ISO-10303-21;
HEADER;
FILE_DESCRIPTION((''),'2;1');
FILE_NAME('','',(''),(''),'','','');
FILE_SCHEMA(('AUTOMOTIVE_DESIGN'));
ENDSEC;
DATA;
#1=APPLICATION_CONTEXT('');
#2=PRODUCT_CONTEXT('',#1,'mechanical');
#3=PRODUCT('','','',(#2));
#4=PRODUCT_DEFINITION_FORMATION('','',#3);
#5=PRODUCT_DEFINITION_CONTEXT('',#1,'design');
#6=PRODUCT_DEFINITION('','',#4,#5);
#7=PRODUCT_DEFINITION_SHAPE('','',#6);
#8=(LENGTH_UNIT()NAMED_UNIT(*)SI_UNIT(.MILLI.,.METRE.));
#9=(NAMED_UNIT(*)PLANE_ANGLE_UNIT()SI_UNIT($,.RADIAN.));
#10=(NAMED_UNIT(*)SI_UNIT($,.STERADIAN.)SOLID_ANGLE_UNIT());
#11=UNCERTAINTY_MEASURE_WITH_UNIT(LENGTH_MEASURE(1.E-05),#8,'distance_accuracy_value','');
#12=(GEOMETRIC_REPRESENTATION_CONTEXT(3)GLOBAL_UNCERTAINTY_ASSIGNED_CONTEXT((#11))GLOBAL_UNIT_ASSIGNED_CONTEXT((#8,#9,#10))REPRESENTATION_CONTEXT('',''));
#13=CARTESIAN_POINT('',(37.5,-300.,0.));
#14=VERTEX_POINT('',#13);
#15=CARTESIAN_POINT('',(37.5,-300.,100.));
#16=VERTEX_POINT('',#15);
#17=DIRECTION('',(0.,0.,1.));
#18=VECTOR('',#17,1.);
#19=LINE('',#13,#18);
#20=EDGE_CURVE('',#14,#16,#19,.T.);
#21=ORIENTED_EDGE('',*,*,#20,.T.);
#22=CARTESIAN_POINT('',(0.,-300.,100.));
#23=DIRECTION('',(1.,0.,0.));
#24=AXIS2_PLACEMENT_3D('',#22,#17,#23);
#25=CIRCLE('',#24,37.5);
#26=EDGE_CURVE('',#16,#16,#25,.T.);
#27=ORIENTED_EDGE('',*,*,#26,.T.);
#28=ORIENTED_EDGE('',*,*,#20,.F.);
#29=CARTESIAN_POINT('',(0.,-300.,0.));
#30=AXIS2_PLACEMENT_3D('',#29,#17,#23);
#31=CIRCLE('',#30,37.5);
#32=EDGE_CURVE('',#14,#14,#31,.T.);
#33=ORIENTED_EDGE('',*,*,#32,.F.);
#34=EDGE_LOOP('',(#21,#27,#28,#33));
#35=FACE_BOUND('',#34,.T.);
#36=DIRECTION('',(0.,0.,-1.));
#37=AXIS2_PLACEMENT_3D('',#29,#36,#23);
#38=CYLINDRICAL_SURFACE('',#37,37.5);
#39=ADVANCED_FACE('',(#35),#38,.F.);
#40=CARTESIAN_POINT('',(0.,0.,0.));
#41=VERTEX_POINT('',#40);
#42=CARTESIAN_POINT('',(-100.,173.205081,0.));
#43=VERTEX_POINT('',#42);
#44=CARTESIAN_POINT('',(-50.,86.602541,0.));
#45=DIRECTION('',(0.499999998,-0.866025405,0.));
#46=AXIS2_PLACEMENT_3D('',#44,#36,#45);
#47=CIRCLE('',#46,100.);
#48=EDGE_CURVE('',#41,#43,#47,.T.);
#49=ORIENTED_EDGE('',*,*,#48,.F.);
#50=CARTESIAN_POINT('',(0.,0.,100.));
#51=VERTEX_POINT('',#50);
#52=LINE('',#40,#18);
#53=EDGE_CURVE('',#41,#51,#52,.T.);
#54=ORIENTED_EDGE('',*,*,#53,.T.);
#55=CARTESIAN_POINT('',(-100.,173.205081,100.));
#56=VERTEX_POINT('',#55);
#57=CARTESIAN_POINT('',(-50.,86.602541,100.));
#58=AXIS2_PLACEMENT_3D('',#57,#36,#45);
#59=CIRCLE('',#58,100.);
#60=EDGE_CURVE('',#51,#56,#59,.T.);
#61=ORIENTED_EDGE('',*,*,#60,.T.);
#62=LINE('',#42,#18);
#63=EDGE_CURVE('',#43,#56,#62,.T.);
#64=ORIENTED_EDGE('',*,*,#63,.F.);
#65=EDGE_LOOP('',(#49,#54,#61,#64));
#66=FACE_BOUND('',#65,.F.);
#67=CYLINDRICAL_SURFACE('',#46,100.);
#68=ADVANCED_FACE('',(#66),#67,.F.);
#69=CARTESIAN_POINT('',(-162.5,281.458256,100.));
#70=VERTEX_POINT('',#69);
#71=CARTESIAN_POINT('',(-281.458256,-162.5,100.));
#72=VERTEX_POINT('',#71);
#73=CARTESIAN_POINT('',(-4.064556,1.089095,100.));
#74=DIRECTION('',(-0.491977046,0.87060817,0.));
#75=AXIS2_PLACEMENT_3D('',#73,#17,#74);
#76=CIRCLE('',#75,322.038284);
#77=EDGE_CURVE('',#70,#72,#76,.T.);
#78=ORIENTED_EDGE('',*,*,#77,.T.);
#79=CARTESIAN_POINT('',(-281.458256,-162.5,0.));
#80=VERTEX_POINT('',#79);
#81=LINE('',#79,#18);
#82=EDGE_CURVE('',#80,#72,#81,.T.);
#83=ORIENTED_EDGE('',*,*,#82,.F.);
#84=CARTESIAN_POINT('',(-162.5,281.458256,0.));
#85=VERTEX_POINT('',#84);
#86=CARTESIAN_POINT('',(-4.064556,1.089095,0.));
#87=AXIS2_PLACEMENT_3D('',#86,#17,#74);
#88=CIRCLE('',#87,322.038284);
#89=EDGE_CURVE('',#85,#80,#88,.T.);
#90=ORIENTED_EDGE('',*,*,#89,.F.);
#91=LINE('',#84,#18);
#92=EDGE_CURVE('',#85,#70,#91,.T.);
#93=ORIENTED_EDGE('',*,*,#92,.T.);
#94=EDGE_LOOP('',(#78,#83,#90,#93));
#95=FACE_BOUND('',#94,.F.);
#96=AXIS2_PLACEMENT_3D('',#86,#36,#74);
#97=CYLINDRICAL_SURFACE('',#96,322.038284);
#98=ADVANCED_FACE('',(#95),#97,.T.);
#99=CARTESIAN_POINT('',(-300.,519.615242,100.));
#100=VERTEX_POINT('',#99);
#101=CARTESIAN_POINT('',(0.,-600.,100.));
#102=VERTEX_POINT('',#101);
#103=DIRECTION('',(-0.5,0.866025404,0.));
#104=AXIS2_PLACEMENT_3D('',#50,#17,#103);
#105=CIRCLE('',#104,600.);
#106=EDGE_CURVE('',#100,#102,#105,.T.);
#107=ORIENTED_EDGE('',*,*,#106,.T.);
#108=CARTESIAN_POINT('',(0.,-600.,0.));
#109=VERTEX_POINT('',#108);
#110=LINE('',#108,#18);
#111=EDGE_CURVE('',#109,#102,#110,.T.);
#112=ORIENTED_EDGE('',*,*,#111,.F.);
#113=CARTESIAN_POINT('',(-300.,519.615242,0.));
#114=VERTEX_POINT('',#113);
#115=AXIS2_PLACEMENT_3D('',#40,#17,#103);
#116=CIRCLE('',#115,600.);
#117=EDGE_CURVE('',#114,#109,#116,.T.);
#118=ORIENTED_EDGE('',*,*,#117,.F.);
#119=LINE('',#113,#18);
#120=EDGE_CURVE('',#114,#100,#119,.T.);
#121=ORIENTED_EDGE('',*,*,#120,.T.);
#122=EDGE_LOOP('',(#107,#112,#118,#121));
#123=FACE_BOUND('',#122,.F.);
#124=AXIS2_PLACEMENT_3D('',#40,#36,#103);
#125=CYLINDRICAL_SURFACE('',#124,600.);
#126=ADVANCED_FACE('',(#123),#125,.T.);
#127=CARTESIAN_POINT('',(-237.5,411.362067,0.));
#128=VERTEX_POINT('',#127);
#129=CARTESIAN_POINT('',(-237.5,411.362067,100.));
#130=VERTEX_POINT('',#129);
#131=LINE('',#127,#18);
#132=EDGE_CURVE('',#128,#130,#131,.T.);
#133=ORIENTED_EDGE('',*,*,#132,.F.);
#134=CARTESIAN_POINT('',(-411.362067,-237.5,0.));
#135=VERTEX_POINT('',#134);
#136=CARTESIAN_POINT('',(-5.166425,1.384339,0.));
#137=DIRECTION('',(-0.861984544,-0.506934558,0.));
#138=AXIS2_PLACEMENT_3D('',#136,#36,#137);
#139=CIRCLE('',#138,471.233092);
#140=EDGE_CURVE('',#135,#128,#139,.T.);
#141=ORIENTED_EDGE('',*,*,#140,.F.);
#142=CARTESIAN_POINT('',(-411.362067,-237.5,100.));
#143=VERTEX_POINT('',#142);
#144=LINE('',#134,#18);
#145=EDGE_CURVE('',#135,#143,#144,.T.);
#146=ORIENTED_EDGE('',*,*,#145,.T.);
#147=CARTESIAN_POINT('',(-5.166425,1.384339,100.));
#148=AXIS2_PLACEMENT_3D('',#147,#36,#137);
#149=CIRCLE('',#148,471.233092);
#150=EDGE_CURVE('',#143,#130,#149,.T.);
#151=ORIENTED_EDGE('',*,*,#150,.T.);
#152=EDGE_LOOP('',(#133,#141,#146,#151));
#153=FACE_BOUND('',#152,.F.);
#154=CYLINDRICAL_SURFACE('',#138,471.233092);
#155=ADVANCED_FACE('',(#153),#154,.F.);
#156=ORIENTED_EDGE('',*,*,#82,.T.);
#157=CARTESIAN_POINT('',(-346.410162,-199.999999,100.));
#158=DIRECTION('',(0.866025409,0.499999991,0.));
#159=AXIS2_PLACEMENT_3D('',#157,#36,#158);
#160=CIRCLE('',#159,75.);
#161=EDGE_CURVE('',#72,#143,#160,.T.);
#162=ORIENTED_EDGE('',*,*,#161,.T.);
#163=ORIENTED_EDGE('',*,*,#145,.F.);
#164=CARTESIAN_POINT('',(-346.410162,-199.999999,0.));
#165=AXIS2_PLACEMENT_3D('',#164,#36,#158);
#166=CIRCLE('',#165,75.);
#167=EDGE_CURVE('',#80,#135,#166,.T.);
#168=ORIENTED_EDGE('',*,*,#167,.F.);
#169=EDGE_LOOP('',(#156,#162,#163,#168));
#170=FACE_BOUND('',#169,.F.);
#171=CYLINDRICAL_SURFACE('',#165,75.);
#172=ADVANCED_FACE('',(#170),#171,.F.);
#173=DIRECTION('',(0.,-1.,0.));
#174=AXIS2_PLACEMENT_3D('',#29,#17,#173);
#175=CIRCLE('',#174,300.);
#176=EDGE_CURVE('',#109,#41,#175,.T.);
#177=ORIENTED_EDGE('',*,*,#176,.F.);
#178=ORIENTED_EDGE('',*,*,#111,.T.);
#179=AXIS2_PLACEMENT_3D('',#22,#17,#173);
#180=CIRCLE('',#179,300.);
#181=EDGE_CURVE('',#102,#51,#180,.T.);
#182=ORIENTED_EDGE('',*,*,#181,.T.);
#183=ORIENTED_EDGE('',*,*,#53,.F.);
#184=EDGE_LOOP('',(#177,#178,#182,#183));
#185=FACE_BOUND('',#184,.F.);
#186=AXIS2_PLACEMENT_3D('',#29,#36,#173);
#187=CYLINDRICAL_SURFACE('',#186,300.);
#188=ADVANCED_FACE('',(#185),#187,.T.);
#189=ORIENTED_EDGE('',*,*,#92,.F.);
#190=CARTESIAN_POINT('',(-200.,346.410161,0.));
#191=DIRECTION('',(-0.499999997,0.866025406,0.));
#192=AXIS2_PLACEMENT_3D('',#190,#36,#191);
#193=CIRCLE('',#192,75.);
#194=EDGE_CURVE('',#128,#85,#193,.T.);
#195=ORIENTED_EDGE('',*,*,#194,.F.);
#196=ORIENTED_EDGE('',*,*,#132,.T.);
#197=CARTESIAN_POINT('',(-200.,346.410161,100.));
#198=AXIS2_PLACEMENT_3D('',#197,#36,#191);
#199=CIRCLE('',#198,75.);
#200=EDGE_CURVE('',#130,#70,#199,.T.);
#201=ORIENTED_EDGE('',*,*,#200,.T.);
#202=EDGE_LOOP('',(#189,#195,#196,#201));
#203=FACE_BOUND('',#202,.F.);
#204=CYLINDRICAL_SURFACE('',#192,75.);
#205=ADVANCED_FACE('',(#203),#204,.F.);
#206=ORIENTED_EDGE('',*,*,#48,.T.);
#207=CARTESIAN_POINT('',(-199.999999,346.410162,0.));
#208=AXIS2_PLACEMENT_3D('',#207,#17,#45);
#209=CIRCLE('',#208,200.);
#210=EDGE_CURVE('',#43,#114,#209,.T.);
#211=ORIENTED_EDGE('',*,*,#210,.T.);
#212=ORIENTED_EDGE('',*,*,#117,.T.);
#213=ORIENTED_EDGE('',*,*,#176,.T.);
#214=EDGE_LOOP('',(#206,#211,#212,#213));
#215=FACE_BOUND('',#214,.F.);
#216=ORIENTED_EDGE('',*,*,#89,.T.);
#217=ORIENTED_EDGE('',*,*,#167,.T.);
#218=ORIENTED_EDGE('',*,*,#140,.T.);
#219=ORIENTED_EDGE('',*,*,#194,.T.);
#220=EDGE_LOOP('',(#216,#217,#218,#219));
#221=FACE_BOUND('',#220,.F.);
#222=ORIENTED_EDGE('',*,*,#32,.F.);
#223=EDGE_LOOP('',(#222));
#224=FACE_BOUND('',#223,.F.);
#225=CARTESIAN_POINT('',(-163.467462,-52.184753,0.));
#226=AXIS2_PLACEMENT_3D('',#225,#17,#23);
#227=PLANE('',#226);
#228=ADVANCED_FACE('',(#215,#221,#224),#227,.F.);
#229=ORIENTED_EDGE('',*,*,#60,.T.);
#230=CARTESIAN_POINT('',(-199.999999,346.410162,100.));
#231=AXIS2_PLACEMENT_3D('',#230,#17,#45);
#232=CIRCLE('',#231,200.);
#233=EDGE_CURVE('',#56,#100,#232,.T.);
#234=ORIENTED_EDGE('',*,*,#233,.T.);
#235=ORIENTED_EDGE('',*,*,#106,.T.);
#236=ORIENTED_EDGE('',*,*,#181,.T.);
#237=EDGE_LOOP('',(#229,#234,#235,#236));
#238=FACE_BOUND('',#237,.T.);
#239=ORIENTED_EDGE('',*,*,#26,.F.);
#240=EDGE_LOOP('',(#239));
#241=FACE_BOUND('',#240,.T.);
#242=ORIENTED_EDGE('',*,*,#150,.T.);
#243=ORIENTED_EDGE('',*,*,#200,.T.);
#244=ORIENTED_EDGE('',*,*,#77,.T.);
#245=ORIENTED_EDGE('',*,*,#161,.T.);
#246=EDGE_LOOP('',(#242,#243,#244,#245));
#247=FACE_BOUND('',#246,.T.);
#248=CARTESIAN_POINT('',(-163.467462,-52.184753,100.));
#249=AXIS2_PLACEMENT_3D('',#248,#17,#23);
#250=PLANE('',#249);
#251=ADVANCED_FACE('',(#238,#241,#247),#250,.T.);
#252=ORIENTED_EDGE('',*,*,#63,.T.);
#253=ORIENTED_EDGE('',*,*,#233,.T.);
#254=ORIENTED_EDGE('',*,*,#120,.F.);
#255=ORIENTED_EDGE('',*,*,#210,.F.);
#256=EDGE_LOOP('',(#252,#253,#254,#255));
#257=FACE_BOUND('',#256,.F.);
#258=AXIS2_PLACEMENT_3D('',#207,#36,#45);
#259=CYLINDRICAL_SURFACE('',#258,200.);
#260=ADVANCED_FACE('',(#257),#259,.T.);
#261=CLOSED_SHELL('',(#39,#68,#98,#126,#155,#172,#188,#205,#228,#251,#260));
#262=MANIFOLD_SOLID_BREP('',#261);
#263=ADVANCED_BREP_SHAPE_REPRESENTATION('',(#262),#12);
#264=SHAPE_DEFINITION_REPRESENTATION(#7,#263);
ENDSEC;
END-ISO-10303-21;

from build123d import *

# Parameters (mm, degrees)
F0_R     = 37.5
F1_DEPTH = 100


with BuildPart() as f1:
    # F0 (on Top) → F1 (new body)
    with BuildSketch(Plane.XY):
        with BuildLine():
            ThreePointArc((-300, 519.615242), (-579.555496, -155.291427), (0, -600))
            ThreePointArc((0, -600), (300, -300), (0, 0))
            ThreePointArc((0, 0), (-136.60254, 36.60254), (-100, 173.205081))
            ThreePointArc((-100, 173.205081), (-26.794919, 446.410162), (-300, 519.615242))
        make_face()
        with Locations((0, -300)):
            Circle(F0_R, mode=Mode.SUBTRACT)
        with BuildLine():
            ThreePointArc((-411.362067, -237.5), (-460.342639, 123.348438), (-237.5, 411.362067))
            ThreePointArc((-237.5, 411.362067), (-135.048095, 383.910162), (-162.5, 281.458256))
            ThreePointArc((-162.5, 281.458256), (-315.129652, 84.438736), (-281.458256, -162.5))
            ThreePointArc((-281.458256, -162.5), (-308.910162, -264.951905), (-411.362067, -237.5))
        make_face(mode=Mode.SUBTRACT)
    extrude(amount=F1_DEPTH)


solid = f1.part
